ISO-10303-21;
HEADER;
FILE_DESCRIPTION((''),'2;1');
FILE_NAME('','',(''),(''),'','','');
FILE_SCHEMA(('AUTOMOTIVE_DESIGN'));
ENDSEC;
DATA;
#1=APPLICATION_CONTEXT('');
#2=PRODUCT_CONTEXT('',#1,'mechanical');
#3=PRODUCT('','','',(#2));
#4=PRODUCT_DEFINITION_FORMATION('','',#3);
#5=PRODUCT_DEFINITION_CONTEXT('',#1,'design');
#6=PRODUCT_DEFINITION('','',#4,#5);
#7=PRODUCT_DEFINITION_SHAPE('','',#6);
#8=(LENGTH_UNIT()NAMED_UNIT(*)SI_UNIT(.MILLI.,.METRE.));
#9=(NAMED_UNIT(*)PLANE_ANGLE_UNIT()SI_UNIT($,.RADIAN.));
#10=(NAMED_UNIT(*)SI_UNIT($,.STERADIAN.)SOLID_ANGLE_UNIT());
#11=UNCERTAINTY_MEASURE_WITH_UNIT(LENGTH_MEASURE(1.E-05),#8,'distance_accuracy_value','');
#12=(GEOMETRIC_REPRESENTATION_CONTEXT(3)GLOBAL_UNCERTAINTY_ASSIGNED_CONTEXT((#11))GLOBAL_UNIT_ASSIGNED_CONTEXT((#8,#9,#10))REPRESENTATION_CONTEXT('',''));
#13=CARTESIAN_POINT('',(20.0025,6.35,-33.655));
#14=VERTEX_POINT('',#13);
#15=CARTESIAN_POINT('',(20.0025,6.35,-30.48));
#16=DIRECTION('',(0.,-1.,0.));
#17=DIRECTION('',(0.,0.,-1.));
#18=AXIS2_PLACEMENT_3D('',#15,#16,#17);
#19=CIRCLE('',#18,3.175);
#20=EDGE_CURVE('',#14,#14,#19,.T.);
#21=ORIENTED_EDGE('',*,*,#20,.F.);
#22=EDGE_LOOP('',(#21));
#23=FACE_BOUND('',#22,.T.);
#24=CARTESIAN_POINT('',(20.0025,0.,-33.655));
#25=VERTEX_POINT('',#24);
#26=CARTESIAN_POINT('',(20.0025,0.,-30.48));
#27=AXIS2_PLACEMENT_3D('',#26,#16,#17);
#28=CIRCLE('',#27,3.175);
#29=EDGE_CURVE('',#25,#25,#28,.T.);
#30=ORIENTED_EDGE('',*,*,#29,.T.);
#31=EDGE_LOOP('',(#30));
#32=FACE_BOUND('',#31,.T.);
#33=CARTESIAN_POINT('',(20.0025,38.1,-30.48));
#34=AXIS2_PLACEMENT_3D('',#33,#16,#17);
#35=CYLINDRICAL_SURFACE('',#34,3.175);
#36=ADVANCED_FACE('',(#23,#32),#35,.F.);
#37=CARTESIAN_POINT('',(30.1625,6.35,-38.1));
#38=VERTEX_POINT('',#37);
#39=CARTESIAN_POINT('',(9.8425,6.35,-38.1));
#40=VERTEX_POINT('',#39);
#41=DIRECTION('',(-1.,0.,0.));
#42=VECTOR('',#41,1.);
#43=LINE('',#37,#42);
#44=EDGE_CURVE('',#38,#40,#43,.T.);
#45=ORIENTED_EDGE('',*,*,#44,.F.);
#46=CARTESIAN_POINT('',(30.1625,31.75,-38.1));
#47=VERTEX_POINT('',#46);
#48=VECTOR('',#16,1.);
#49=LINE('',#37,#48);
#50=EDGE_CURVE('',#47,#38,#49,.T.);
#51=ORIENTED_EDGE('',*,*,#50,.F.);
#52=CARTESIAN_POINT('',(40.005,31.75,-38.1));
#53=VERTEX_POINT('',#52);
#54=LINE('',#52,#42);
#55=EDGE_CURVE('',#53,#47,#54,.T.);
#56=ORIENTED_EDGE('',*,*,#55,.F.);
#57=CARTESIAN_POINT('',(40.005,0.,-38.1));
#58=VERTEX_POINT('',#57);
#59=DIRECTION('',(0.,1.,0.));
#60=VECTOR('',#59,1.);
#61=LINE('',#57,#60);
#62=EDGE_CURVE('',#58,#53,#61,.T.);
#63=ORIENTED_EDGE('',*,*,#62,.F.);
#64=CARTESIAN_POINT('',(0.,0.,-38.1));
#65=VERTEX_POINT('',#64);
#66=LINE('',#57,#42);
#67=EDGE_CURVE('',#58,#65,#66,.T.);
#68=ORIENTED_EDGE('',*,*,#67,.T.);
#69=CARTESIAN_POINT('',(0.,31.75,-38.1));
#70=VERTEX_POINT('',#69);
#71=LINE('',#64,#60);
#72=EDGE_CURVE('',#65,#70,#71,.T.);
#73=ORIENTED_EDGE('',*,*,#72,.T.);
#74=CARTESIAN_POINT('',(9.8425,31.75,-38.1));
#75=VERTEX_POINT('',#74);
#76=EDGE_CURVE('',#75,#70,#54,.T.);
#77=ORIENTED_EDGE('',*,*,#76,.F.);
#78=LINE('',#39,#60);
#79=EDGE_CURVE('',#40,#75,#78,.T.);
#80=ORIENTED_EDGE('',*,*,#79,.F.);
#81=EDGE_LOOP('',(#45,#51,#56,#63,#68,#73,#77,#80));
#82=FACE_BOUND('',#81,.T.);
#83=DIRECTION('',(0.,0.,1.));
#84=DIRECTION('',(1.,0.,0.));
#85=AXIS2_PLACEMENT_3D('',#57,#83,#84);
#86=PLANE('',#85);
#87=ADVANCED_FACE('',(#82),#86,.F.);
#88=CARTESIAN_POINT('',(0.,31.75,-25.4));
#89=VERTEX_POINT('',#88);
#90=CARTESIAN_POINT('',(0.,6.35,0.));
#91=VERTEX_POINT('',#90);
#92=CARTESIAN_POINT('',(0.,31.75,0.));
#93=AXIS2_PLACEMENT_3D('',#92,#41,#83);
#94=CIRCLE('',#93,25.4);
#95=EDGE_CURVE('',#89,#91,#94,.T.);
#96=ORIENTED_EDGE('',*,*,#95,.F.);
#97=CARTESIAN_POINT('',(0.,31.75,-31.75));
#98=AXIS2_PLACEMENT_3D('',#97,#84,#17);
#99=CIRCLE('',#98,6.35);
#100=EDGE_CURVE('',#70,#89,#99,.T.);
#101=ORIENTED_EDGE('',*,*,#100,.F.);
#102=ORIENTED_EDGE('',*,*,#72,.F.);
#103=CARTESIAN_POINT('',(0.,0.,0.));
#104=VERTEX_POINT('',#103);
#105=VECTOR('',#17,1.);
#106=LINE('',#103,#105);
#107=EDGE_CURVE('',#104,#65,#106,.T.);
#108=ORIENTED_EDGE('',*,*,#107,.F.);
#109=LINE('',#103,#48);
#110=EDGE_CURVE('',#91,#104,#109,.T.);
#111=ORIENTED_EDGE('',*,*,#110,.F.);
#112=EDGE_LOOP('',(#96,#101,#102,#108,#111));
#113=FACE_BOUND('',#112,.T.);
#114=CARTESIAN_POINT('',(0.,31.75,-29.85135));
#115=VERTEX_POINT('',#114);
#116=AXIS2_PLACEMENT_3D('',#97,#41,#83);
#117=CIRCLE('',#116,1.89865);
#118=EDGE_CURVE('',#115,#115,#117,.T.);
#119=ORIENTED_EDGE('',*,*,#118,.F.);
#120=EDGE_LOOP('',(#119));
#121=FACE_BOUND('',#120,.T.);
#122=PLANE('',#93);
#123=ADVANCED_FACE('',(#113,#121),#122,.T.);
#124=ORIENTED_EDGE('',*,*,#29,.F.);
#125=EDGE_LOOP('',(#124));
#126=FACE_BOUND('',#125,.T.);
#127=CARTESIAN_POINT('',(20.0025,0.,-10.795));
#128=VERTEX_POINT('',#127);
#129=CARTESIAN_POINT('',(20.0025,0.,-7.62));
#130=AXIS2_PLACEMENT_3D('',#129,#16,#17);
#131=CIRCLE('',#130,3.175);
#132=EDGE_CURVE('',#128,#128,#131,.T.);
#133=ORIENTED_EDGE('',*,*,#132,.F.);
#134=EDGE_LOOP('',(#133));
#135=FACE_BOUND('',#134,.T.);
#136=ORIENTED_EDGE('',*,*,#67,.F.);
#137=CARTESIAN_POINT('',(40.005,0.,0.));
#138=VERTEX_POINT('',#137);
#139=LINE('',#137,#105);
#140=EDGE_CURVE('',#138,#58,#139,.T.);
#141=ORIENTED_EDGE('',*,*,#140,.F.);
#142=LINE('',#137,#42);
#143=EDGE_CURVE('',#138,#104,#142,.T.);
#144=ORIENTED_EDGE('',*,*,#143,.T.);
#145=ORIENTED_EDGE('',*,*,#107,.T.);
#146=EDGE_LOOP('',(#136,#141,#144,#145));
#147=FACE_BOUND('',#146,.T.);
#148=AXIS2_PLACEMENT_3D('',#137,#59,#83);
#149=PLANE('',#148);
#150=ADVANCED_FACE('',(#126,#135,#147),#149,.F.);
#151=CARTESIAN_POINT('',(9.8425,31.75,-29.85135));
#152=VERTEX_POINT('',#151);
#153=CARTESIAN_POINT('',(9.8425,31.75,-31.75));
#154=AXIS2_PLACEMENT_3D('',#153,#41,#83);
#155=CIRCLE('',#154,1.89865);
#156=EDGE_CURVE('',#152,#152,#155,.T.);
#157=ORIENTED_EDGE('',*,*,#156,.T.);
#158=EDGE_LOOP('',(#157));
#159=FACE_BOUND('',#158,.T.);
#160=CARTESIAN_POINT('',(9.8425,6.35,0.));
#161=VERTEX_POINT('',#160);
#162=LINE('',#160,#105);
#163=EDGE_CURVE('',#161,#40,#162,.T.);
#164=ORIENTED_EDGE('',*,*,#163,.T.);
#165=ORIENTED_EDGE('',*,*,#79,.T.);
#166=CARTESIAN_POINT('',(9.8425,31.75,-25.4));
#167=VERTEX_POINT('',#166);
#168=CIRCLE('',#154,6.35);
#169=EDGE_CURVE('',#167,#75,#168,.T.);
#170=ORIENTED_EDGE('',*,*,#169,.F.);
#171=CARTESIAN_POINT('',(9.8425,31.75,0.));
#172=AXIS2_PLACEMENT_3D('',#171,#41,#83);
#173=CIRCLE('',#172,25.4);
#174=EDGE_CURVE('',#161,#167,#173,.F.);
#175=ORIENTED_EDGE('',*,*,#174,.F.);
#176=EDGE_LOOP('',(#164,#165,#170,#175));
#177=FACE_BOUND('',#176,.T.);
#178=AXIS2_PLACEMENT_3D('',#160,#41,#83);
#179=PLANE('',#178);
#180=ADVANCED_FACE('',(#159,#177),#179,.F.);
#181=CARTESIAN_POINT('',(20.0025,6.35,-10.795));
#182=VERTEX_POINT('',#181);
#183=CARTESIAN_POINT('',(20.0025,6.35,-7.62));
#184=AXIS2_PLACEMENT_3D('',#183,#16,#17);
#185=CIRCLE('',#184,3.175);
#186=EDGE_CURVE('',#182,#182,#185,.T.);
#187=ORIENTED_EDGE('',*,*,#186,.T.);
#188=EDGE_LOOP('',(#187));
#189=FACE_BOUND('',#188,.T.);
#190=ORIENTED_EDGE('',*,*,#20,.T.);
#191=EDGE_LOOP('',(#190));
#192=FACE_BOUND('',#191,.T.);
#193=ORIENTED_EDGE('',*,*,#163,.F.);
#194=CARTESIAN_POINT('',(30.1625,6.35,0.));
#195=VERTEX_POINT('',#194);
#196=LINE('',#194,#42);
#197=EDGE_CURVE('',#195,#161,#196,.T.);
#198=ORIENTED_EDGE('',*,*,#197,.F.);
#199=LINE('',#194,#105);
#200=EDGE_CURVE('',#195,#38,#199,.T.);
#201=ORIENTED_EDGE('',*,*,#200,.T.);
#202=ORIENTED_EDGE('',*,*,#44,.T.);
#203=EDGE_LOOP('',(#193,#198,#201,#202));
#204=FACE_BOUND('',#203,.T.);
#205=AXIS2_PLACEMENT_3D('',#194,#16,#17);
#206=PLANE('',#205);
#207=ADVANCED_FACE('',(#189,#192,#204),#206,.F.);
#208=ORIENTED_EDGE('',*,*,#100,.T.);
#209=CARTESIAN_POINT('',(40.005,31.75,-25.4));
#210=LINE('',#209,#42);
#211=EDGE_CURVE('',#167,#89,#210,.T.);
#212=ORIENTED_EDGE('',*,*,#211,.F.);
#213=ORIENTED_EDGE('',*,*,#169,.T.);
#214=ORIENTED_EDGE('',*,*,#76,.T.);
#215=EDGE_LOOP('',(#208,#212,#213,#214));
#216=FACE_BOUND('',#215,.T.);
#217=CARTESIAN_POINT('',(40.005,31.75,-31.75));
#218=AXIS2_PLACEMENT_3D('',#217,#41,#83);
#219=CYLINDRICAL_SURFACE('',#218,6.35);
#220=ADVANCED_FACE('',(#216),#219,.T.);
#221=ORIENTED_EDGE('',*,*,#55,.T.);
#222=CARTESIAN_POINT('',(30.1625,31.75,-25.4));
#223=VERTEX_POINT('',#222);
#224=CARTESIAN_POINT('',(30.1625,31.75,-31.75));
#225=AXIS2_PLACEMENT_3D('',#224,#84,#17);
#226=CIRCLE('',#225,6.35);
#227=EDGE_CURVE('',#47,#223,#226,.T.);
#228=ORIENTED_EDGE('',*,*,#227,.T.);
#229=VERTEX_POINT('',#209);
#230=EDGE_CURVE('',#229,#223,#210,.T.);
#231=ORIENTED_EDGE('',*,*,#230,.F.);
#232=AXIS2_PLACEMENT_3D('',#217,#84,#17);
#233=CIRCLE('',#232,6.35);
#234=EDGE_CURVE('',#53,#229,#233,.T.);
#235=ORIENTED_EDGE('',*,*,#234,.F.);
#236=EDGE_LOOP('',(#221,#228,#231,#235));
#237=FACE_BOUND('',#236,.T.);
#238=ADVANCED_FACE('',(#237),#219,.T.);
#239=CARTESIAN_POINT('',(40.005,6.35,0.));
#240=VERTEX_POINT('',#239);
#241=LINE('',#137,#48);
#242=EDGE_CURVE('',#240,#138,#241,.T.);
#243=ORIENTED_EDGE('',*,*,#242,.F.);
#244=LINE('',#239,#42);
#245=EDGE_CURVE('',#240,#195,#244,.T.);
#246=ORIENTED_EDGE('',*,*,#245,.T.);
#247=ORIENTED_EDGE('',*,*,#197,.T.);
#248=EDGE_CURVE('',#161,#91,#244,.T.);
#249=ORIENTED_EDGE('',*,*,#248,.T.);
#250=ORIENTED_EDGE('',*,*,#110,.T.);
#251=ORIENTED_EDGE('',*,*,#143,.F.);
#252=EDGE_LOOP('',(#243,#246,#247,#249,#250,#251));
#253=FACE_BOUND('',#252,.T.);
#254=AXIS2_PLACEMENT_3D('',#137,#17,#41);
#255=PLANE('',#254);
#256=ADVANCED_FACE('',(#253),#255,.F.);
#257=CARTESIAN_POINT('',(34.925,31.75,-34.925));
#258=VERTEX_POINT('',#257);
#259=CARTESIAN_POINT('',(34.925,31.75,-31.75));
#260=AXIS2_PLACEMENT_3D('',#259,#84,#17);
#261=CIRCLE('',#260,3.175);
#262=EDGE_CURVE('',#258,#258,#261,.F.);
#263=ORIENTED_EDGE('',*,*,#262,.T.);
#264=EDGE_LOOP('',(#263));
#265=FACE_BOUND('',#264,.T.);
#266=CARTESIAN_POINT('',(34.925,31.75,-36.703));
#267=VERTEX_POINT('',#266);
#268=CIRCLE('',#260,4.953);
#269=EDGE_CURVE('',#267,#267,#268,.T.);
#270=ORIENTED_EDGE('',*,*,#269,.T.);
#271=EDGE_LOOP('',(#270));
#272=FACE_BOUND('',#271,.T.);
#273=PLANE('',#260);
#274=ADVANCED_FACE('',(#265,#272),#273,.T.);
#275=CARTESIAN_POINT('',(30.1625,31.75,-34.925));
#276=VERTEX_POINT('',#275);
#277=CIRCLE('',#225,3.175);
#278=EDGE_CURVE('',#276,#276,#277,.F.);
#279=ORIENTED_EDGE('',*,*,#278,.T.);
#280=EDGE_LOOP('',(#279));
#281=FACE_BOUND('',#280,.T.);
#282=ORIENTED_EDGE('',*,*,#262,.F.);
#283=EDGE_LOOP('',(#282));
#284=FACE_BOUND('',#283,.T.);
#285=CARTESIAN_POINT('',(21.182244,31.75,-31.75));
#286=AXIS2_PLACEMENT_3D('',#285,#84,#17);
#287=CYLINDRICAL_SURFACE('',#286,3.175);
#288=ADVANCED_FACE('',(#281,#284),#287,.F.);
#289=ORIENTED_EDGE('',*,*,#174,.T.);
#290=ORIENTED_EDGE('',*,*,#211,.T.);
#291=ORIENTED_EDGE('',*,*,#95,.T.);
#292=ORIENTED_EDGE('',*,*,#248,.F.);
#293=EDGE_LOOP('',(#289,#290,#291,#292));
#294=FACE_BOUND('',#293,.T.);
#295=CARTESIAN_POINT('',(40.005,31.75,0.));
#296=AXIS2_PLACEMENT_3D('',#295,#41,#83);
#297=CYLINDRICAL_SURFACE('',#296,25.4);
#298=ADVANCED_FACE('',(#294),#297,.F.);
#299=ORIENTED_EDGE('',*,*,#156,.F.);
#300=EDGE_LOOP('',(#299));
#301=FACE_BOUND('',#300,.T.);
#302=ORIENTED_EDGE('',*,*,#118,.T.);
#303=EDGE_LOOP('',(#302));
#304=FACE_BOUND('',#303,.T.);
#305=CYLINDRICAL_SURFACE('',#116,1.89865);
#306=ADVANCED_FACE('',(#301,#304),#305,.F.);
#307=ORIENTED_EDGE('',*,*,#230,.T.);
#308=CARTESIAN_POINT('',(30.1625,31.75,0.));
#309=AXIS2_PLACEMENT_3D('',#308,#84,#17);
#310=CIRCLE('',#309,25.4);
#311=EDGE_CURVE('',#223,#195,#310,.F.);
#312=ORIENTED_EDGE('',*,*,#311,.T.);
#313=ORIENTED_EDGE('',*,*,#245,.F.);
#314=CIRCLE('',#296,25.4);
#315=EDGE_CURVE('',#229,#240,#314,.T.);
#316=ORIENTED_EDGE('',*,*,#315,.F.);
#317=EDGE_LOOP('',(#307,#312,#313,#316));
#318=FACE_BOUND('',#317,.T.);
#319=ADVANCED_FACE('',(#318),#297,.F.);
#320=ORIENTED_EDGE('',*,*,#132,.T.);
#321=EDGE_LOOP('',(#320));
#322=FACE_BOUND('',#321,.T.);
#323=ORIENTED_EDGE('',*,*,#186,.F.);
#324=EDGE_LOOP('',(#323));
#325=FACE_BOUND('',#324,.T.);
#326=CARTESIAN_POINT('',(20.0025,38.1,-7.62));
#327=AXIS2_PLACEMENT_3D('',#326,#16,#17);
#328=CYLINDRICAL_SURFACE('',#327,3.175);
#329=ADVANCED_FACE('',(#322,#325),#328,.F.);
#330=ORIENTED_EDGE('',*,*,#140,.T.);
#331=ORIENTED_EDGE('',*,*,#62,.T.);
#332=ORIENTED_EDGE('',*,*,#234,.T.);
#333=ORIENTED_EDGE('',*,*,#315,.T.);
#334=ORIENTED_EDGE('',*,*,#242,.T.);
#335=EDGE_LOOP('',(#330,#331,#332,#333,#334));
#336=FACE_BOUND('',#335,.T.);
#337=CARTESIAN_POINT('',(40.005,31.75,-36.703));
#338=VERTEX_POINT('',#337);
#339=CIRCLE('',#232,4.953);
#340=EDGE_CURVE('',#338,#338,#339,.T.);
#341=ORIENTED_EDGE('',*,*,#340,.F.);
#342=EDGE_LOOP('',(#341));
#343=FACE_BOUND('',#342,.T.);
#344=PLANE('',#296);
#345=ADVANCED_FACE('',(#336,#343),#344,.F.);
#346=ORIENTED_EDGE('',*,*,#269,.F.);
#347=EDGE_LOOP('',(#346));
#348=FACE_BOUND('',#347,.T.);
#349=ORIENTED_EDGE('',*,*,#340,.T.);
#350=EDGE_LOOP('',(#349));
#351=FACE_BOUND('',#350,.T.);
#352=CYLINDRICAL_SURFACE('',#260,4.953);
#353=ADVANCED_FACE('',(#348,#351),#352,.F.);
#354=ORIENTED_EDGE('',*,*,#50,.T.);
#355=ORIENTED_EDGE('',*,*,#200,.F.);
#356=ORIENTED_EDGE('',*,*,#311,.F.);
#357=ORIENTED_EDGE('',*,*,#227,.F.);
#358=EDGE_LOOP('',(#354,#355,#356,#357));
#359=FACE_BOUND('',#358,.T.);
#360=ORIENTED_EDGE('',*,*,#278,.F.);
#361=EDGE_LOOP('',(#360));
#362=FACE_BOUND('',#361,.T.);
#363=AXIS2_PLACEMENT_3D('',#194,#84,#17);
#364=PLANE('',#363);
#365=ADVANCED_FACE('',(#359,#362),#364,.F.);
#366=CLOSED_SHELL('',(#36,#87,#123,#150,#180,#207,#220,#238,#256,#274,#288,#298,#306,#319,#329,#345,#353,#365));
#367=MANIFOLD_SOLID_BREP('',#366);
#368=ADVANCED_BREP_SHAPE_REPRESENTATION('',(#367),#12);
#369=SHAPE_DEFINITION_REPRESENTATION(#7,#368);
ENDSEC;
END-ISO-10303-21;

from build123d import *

# Parameters (mm, degrees)
EXTRUDE3_DEPTH                 = 40.005
SKETCH6_W                      = 20.32
SKETCH6_H                      = 42.20483691
EXTRUDE_SLOT_DEPTH             = 39.1
SKETCH8_R                      = 3.175
EXTRUDE_SHOULDER_THROUGH_DEPTH = 9.8425
SKETCH9_R                      = 4.953
EXTRUDE_CNTR_BORE_DEPTH        = 5.08
F_10_24_TAPPED_HOLE1_D         = 3.7973
F_10_24_TAPPED_HOLE1_DEPTH     = 12.827
F_10_24_TAPPED_HOLE1_TIP       = 1.140824014
SKETCH13_R                     = 3.175
EXTRUDE7_DEPTH                 = 39.1


with BuildPart() as part:
    # Sketch5 → Extrude3 (new body)
    with BuildSketch(Plane(origin=(0, 0, 0), x_dir=(0, 0, -1), z_dir=(1, 0, 0))):
        with BuildLine():
            Line((0, 0), (38.1, 0))
            Line((38.1, 0), (38.1, 31.75))
            ThreePointArc((38.1, 31.75), (31.75, 38.1), (25.4, 31.75))
            ThreePointArc((25.4, 31.75), (17.960512242, 13.789487758), (0, 6.35))
            Line((0, 6.35), (0, 0))
        make_face()
    extrude(amount=EXTRUDE3_DEPTH)

    # Sketch6 → Extrude - Slot (cut, through all)
    with BuildSketch(Plane(origin=(0, 0, -38.1), x_dir=(-1, 0, 0), z_dir=(0, 0, -1))):
        with Locations((-20.0025, 27.452418455)):
            Rectangle(SKETCH6_W, SKETCH6_H)
    extrude(amount=-EXTRUDE_SLOT_DEPTH, mode=Mode.SUBTRACT)

    # Sketch8 → Extrude - shoulder through (cut)
    with BuildSketch(Plane(origin=(40.005, 0, 0), x_dir=(0, 0, -1), z_dir=(1, 0, 0))):
        with Locations((31.75, 31.75)):
            Circle(SKETCH8_R)
    extrude(amount=-EXTRUDE_SHOULDER_THROUGH_DEPTH, mode=Mode.SUBTRACT)

    # Sketch9 → Extrude - cntr bore (cut)
    with BuildSketch(Plane(origin=(40.005, 0, 0), x_dir=(0, 0, -1), z_dir=(1, 0, 0))):
        with Locations((31.75, 31.75)):
            Circle(SKETCH9_R)
    extrude(amount=-EXTRUDE_CNTR_BORE_DEPTH, mode=Mode.SUBTRACT)

    # #10-24 Tapped Hole1
    with Locations(Plane(origin=(0, 31.75, -31.75), x_dir=(0, 0, -1), z_dir=(-1, 0, 0))):
        with Locations((0, 0)):
            Hole(F_10_24_TAPPED_HOLE1_D / 2, depth=F_10_24_TAPPED_HOLE1_DEPTH)
            with Locations((0, 0, -(F_10_24_TAPPED_HOLE1_DEPTH + F_10_24_TAPPED_HOLE1_TIP / 2))):  # 118° drill point
                Cone(0, F_10_24_TAPPED_HOLE1_D / 2, F_10_24_TAPPED_HOLE1_TIP, mode=Mode.SUBTRACT)

    # Sketch13 → Extrude7 (cut, through all)
    with BuildSketch(Plane.XZ):
        with Locations((20.0025, -7.62)):
            Circle(SKETCH13_R)
        with Locations((20.0025, -30.48)):
            Circle(SKETCH13_R)
    extrude(amount=-EXTRUDE7_DEPTH, mode=Mode.SUBTRACT)


solid = part.part
